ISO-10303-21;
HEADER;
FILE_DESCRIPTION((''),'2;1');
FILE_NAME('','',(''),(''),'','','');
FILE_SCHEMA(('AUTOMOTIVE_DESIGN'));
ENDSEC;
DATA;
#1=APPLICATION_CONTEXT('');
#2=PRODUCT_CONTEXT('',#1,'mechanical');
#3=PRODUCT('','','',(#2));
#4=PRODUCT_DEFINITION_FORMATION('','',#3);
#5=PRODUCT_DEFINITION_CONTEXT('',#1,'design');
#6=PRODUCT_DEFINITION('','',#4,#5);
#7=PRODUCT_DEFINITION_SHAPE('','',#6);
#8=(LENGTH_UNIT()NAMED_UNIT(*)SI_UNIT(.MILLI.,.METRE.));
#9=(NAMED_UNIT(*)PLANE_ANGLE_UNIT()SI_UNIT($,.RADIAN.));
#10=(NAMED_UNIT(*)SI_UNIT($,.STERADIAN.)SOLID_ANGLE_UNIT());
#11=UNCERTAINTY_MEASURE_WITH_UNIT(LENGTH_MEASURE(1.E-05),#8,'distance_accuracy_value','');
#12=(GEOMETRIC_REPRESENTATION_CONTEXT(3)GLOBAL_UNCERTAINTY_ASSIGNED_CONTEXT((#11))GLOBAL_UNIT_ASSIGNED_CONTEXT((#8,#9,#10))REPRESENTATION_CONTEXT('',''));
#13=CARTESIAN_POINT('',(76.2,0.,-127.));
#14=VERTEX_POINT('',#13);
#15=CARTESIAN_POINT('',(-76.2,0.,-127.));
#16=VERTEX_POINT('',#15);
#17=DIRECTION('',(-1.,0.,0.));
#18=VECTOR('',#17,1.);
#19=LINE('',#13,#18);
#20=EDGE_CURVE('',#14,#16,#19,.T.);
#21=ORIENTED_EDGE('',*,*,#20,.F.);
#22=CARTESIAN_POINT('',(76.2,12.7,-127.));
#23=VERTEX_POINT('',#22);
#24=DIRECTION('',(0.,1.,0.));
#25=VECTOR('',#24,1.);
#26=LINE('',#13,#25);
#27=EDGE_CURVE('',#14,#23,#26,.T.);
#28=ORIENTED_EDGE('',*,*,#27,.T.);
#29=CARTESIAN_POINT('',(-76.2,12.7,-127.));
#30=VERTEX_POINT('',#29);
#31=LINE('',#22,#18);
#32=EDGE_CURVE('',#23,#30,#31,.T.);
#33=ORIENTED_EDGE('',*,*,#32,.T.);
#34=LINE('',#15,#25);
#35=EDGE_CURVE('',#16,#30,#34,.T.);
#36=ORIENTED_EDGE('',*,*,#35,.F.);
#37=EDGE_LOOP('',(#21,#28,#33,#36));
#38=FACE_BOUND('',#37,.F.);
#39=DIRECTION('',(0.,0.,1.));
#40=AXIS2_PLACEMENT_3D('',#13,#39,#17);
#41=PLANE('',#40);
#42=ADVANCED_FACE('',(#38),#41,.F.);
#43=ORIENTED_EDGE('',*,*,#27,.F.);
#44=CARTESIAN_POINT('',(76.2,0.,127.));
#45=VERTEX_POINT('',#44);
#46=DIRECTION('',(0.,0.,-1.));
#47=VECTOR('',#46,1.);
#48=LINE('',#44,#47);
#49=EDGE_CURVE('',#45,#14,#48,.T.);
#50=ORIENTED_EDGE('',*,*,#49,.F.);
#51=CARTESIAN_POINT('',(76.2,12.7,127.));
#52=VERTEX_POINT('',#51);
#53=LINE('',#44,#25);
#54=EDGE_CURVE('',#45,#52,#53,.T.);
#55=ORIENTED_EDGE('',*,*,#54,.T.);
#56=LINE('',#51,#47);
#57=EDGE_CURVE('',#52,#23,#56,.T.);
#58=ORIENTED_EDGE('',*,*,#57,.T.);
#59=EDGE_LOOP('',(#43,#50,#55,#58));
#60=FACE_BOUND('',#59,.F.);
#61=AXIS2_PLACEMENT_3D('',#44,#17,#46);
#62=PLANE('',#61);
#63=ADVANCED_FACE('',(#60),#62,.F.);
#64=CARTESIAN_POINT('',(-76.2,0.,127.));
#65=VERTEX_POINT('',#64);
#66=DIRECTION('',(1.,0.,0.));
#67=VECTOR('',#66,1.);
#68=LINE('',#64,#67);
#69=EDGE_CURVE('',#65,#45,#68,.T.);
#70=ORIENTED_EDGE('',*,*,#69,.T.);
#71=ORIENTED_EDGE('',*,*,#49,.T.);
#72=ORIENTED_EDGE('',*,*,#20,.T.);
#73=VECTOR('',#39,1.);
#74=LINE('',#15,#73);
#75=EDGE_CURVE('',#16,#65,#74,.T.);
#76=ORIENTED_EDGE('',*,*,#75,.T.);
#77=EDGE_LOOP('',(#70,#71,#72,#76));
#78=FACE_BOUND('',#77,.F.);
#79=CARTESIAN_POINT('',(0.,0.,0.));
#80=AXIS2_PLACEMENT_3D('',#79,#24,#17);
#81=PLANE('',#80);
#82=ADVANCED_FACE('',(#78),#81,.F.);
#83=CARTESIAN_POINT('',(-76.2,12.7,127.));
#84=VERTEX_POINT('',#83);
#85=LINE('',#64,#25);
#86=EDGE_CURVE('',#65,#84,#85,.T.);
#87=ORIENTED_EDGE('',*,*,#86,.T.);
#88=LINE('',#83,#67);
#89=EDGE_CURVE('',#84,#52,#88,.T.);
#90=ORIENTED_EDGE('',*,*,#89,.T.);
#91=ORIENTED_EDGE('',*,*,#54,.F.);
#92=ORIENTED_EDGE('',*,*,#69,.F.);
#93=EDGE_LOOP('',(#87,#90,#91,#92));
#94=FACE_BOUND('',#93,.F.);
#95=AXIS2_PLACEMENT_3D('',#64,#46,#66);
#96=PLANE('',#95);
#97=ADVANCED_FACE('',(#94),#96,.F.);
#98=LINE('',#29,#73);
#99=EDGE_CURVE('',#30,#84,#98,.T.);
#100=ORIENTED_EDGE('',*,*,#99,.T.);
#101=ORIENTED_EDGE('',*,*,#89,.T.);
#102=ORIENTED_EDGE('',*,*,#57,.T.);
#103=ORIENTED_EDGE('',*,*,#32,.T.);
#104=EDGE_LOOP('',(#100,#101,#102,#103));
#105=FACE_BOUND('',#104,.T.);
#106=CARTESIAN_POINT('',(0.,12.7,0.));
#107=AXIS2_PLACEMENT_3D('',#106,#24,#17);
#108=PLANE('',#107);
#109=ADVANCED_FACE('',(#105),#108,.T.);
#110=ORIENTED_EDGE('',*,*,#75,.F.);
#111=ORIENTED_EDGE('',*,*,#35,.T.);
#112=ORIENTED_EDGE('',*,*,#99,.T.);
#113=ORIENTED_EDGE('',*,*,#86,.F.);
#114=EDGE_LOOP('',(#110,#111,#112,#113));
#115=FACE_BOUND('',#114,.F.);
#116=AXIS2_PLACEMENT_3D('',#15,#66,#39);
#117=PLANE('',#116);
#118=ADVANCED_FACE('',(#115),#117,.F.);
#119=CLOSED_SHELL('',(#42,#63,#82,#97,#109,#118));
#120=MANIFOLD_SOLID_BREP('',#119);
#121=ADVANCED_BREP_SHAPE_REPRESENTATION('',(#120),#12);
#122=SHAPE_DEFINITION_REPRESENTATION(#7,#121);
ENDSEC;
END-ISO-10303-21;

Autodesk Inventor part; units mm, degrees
ref_plane "YZ Plane" through (0, 0, 0) normal (1, 0, 0) x (0, 1, 0)
ref_plane "XZ Plane" through (0, 0, 0) normal (0, 1, 0) x (-1, 0, 0)
ref_plane "XY Plane" through (0, 0, 0) normal (0, 0, 1) x (1, 0, 0)
sketch "Sketch1" plane through (0, 0, 0) normal (0, 1, 0) x (-1, 0, 0)
  line L0 (76.2, 127) -> (-76.2, 127)
  line L1 (-76.2, 127) -> (-76.2, -127)
  line L2 (-76.2, -127) -> (76.2, -127)
  line L3 (76.2, -127) -> (76.2, 127)
  line L4 (76.2, 127) -> (-76.2, -127) construction
  line L5 (-76.2, 127) -> (76.2, -127) construction
  point P0 (0, 0)
  dimension "d0" = 152.4
  dimension "d1" = 254
extrude "Extrusion1" add sketch "Sketch1" along normal blind 12.7
properties part number "Roller Base"
